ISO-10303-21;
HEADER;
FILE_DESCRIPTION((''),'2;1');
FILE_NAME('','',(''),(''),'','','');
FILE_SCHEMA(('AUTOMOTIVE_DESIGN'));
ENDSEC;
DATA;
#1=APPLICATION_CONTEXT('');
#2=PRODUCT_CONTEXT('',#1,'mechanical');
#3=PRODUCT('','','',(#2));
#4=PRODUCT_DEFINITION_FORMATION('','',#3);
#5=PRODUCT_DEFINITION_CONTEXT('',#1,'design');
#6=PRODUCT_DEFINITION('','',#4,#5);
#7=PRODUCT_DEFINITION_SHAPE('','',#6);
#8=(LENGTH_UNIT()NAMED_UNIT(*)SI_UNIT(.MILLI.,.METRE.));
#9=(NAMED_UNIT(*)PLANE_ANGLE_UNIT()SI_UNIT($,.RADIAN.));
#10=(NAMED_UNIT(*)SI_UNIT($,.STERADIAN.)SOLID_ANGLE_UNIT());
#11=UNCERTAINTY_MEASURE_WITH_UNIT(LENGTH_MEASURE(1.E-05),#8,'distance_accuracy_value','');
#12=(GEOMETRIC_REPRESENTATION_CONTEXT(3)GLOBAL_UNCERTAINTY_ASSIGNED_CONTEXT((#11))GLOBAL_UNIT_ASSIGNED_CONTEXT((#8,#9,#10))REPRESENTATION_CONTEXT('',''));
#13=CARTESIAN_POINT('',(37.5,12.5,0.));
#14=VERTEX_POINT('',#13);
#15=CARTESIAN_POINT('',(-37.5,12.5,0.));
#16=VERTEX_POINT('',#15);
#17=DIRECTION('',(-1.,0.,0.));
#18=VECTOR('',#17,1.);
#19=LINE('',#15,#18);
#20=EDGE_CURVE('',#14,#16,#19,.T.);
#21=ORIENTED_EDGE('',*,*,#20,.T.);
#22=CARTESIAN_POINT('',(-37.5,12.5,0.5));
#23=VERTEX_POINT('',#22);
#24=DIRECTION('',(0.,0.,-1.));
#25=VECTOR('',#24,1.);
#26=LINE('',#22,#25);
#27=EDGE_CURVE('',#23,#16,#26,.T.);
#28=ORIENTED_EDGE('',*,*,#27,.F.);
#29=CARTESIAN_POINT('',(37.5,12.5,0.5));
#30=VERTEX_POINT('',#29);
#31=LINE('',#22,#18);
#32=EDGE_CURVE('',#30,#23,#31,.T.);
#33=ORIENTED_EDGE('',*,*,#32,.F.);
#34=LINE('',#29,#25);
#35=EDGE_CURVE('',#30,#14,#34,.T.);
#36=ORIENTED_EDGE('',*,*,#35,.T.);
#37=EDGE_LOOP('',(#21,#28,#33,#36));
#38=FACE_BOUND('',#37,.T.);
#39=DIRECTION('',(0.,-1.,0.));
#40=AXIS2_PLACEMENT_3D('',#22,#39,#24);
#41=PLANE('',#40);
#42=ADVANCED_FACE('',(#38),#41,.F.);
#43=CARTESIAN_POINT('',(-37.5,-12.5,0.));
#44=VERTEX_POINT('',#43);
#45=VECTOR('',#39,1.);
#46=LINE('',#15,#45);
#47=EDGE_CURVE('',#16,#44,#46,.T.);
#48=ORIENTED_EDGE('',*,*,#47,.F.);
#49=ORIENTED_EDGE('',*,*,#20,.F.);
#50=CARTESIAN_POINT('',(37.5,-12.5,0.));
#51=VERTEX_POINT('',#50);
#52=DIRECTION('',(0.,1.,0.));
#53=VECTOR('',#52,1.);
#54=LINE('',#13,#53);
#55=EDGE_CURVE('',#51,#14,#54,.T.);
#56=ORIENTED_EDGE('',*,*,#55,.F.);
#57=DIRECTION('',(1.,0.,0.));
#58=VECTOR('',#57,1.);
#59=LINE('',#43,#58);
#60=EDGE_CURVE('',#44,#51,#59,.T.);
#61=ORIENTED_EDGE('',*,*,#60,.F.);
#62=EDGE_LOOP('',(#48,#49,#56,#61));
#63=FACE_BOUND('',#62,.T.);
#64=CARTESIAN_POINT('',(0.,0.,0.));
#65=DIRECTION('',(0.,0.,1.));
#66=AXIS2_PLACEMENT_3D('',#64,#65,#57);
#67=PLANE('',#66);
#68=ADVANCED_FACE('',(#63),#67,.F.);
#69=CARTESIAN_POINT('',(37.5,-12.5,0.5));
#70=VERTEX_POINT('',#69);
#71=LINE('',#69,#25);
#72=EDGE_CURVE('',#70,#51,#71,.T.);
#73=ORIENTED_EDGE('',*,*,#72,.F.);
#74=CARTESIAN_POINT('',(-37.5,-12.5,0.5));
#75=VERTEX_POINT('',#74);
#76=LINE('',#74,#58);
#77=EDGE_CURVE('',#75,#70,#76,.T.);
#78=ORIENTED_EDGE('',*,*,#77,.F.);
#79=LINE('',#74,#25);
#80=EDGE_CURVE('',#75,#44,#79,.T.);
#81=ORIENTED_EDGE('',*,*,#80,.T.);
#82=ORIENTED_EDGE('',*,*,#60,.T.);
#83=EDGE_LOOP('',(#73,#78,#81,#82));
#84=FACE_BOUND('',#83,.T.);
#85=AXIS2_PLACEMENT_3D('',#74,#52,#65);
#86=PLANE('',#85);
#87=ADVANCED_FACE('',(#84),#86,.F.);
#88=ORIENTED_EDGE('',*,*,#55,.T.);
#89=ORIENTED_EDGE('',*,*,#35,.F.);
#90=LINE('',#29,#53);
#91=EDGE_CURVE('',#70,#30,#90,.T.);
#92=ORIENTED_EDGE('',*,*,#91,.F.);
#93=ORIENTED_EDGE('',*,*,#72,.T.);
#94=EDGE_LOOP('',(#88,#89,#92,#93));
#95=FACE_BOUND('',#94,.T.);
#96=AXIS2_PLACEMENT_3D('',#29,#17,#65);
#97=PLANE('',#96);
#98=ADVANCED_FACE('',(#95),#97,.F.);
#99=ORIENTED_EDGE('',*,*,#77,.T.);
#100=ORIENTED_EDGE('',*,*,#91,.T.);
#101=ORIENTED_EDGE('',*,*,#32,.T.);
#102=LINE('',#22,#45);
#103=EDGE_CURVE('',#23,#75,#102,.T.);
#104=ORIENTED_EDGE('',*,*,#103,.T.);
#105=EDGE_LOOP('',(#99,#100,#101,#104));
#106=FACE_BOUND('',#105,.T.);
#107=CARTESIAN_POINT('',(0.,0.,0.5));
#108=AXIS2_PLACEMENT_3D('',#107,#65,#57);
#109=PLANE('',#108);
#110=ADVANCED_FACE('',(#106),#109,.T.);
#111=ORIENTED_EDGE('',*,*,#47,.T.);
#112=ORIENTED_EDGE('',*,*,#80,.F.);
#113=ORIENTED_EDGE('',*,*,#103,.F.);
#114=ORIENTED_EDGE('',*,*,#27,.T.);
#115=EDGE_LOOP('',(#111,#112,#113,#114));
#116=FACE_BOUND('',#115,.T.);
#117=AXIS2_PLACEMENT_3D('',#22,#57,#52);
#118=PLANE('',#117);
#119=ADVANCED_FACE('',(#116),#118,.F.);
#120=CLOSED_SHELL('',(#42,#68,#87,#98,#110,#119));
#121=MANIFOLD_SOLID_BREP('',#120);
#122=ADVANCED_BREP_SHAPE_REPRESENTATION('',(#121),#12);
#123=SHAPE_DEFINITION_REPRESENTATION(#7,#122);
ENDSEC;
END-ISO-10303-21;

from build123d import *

# Parameters (mm, degrees)
SKETCH_1_W      = 75
SKETCH_1_H      = 25
EXTRUDE_1_DEPTH = 0.5


with BuildPart() as part:
    # 草图1 → 凸台-拉伸1 (new body)
    with BuildSketch(Plane.XY):
        Rectangle(SKETCH_1_W, SKETCH_1_H)
    extrude(amount=EXTRUDE_1_DEPTH)


solid = part.part
